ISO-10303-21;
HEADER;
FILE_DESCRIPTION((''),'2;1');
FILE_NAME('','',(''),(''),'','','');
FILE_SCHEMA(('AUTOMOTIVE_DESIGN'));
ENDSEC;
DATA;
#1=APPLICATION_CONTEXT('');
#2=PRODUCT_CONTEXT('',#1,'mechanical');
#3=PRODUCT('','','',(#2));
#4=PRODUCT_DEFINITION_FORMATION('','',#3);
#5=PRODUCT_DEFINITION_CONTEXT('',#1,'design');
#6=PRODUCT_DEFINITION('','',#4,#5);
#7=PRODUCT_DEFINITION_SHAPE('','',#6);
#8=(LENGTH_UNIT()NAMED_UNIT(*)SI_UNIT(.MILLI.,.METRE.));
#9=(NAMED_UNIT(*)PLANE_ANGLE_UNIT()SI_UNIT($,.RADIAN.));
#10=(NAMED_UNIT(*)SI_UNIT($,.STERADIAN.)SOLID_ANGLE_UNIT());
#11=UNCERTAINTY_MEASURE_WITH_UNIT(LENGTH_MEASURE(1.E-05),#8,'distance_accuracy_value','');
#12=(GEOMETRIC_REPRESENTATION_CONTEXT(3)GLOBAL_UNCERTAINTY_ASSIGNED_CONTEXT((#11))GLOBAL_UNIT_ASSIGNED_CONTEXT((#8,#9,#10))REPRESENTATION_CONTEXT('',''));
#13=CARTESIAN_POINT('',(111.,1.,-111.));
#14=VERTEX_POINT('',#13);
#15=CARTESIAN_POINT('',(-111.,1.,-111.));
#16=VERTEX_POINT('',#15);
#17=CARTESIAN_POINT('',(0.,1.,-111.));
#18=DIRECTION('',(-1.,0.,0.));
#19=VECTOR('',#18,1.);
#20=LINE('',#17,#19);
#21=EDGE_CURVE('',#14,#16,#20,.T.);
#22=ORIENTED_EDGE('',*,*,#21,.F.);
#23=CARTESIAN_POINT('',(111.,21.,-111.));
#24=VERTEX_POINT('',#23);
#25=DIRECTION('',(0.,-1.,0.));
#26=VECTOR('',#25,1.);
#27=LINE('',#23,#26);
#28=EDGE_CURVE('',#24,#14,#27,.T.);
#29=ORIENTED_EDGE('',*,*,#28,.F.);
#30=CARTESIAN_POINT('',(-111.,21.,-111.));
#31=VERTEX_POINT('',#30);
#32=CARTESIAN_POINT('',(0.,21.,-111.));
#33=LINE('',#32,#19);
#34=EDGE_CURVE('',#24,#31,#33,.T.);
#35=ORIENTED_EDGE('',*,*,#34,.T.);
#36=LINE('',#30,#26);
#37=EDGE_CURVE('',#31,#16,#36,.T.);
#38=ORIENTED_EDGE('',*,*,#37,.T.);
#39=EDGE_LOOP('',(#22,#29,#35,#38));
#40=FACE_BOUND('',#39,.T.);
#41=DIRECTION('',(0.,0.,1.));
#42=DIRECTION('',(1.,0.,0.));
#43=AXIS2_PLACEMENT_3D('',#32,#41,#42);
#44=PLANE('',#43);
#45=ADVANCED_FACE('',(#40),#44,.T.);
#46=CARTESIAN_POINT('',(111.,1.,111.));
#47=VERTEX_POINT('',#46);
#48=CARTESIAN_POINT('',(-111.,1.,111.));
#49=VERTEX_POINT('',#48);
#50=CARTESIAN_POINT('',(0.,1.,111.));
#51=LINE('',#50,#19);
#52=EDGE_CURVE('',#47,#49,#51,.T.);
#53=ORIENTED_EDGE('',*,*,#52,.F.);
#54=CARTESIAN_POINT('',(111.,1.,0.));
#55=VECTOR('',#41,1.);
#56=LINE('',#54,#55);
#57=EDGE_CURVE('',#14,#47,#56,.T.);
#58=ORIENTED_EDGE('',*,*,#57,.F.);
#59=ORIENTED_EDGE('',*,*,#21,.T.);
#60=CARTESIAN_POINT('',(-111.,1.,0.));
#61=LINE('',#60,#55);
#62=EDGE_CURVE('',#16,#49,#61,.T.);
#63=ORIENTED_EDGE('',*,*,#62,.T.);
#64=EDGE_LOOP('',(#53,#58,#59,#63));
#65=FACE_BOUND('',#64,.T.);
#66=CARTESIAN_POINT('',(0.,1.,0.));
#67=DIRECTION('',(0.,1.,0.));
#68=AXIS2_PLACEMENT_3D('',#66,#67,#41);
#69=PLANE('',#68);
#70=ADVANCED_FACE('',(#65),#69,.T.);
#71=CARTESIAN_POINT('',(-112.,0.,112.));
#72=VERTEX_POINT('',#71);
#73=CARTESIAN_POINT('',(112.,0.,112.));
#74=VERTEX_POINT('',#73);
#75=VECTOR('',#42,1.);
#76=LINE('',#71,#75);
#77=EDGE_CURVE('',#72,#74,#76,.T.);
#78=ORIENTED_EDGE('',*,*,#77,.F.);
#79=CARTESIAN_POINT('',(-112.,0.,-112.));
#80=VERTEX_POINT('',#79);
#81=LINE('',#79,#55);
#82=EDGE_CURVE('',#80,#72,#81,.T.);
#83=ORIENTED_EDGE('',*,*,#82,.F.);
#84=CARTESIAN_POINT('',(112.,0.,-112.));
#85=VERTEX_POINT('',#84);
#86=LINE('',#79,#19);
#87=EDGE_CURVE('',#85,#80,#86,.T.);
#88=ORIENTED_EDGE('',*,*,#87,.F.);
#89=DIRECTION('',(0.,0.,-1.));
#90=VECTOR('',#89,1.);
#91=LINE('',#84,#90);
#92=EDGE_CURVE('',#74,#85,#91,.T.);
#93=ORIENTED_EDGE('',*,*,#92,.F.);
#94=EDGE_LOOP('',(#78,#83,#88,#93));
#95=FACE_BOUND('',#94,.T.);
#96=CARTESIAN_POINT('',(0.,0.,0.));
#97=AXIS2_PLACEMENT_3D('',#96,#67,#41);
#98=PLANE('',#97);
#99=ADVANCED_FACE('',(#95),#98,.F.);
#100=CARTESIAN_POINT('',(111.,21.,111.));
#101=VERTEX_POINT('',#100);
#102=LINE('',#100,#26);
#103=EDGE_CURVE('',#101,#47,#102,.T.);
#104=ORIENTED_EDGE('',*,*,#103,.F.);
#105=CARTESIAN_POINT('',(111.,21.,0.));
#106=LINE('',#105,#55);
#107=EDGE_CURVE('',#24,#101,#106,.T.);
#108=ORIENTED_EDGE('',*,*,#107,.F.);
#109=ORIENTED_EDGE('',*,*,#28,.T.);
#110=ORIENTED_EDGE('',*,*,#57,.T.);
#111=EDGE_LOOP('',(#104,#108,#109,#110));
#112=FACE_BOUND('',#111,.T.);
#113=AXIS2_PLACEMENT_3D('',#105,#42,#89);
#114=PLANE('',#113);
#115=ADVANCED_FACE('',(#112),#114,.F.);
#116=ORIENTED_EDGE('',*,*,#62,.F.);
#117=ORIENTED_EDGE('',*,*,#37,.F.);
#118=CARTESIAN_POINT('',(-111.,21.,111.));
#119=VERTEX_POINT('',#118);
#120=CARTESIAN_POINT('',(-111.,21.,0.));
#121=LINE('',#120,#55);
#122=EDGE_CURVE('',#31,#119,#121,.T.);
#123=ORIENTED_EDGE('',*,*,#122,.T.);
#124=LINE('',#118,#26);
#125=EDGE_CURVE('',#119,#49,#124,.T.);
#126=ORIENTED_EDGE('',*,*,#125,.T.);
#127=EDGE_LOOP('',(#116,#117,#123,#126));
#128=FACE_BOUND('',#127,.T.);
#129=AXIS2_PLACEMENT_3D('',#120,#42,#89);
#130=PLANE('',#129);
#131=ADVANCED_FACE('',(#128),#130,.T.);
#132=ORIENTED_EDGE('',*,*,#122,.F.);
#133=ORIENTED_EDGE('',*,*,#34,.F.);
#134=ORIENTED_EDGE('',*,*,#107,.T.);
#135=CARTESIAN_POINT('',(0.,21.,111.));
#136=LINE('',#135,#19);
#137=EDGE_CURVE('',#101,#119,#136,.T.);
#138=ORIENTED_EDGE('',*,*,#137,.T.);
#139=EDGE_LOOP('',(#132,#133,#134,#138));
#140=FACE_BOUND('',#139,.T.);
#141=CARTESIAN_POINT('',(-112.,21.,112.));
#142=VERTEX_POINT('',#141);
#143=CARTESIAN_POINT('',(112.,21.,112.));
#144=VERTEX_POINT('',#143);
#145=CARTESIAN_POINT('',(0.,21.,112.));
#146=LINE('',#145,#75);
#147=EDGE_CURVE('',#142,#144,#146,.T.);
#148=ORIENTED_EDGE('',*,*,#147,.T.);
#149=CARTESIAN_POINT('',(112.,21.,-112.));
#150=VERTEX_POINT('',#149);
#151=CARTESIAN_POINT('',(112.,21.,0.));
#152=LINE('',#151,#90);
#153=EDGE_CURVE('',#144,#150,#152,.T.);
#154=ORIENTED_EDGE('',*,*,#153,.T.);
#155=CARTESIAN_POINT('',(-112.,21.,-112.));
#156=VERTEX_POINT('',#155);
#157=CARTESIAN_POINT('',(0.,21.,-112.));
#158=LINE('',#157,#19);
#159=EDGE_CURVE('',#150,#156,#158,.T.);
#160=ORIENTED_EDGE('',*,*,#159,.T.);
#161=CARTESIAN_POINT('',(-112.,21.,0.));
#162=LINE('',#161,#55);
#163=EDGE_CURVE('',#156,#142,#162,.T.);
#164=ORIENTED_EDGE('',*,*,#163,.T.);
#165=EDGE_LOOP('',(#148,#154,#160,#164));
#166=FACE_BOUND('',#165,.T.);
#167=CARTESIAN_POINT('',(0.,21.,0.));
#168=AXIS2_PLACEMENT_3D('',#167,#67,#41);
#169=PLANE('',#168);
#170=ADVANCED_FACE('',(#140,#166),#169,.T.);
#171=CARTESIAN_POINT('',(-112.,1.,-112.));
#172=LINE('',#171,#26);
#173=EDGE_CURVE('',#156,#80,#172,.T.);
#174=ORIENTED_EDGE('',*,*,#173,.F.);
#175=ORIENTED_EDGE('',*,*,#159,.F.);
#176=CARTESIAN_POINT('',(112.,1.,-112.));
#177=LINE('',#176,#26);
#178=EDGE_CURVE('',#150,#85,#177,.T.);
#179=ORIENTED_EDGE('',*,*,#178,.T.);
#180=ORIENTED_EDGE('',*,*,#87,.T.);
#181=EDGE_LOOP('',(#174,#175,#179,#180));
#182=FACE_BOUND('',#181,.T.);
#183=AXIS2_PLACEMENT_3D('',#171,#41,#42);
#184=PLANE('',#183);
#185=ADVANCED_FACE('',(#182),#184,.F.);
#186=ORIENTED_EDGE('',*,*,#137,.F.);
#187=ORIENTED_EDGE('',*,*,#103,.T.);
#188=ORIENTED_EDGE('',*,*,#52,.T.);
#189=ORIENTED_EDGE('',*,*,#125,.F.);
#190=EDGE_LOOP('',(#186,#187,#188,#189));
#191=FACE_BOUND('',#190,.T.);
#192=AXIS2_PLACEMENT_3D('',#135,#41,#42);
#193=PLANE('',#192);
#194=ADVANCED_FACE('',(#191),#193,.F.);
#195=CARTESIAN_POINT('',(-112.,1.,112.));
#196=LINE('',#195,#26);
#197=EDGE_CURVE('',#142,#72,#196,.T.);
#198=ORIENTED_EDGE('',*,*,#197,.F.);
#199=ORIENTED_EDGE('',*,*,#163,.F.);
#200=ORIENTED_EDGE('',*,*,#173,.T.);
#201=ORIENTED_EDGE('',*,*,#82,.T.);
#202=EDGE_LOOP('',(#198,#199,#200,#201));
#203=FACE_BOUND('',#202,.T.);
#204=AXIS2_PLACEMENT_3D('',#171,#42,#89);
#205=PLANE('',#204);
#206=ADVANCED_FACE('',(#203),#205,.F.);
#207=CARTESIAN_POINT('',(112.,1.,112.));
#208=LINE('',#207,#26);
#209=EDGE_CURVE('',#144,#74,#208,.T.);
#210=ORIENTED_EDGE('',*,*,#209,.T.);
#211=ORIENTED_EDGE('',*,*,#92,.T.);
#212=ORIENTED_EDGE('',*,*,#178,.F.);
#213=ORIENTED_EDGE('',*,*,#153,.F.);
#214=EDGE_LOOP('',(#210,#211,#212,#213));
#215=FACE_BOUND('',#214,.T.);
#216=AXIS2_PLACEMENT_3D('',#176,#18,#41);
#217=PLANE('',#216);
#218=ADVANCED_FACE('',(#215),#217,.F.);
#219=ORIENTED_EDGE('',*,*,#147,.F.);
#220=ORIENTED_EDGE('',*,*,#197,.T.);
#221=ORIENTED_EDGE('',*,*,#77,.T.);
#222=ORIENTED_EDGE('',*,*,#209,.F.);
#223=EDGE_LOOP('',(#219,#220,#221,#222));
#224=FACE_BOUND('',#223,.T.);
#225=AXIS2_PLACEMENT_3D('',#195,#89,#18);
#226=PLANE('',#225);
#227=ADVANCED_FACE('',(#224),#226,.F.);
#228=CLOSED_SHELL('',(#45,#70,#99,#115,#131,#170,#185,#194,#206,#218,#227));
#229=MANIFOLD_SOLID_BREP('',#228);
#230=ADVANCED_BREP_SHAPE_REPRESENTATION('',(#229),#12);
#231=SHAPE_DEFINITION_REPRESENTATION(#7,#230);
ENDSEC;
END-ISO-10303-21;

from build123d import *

# Parameters (mm, degrees)
CROQUIS1_W              = 224
CROQUIS1_H              = 224
SALIENTE_EXTRUIR1_DEPTH = 1
CROQUIS3_W              = 224
CROQUIS3_H              = 224
CROQUIS3_W_2            = 222
CROQUIS3_H_2            = 222
SALIENTE_EXTRUIR2_DEPTH = 20


with BuildPart() as part:
    # Croquis1 → Saliente-Extruir1 (new body)
    with BuildSketch(Plane(origin=(0, 0, 0), x_dir=(1, 0, 0), z_dir=(0, 1, 0))):
        Rectangle(CROQUIS1_W, CROQUIS1_H)
    extrude(amount=SALIENTE_EXTRUIR1_DEPTH)

    # Croquis3 → Saliente-Extruir2 (add)
    with BuildSketch(Plane(origin=(0, 1, 0), x_dir=(1, 0, 0), z_dir=(0, 1, 0))):
        Rectangle(CROQUIS3_W, CROQUIS3_H)
        Rectangle(CROQUIS3_W_2, CROQUIS3_H_2, mode=Mode.SUBTRACT)
    extrude(amount=SALIENTE_EXTRUIR2_DEPTH)


solid = part.part
